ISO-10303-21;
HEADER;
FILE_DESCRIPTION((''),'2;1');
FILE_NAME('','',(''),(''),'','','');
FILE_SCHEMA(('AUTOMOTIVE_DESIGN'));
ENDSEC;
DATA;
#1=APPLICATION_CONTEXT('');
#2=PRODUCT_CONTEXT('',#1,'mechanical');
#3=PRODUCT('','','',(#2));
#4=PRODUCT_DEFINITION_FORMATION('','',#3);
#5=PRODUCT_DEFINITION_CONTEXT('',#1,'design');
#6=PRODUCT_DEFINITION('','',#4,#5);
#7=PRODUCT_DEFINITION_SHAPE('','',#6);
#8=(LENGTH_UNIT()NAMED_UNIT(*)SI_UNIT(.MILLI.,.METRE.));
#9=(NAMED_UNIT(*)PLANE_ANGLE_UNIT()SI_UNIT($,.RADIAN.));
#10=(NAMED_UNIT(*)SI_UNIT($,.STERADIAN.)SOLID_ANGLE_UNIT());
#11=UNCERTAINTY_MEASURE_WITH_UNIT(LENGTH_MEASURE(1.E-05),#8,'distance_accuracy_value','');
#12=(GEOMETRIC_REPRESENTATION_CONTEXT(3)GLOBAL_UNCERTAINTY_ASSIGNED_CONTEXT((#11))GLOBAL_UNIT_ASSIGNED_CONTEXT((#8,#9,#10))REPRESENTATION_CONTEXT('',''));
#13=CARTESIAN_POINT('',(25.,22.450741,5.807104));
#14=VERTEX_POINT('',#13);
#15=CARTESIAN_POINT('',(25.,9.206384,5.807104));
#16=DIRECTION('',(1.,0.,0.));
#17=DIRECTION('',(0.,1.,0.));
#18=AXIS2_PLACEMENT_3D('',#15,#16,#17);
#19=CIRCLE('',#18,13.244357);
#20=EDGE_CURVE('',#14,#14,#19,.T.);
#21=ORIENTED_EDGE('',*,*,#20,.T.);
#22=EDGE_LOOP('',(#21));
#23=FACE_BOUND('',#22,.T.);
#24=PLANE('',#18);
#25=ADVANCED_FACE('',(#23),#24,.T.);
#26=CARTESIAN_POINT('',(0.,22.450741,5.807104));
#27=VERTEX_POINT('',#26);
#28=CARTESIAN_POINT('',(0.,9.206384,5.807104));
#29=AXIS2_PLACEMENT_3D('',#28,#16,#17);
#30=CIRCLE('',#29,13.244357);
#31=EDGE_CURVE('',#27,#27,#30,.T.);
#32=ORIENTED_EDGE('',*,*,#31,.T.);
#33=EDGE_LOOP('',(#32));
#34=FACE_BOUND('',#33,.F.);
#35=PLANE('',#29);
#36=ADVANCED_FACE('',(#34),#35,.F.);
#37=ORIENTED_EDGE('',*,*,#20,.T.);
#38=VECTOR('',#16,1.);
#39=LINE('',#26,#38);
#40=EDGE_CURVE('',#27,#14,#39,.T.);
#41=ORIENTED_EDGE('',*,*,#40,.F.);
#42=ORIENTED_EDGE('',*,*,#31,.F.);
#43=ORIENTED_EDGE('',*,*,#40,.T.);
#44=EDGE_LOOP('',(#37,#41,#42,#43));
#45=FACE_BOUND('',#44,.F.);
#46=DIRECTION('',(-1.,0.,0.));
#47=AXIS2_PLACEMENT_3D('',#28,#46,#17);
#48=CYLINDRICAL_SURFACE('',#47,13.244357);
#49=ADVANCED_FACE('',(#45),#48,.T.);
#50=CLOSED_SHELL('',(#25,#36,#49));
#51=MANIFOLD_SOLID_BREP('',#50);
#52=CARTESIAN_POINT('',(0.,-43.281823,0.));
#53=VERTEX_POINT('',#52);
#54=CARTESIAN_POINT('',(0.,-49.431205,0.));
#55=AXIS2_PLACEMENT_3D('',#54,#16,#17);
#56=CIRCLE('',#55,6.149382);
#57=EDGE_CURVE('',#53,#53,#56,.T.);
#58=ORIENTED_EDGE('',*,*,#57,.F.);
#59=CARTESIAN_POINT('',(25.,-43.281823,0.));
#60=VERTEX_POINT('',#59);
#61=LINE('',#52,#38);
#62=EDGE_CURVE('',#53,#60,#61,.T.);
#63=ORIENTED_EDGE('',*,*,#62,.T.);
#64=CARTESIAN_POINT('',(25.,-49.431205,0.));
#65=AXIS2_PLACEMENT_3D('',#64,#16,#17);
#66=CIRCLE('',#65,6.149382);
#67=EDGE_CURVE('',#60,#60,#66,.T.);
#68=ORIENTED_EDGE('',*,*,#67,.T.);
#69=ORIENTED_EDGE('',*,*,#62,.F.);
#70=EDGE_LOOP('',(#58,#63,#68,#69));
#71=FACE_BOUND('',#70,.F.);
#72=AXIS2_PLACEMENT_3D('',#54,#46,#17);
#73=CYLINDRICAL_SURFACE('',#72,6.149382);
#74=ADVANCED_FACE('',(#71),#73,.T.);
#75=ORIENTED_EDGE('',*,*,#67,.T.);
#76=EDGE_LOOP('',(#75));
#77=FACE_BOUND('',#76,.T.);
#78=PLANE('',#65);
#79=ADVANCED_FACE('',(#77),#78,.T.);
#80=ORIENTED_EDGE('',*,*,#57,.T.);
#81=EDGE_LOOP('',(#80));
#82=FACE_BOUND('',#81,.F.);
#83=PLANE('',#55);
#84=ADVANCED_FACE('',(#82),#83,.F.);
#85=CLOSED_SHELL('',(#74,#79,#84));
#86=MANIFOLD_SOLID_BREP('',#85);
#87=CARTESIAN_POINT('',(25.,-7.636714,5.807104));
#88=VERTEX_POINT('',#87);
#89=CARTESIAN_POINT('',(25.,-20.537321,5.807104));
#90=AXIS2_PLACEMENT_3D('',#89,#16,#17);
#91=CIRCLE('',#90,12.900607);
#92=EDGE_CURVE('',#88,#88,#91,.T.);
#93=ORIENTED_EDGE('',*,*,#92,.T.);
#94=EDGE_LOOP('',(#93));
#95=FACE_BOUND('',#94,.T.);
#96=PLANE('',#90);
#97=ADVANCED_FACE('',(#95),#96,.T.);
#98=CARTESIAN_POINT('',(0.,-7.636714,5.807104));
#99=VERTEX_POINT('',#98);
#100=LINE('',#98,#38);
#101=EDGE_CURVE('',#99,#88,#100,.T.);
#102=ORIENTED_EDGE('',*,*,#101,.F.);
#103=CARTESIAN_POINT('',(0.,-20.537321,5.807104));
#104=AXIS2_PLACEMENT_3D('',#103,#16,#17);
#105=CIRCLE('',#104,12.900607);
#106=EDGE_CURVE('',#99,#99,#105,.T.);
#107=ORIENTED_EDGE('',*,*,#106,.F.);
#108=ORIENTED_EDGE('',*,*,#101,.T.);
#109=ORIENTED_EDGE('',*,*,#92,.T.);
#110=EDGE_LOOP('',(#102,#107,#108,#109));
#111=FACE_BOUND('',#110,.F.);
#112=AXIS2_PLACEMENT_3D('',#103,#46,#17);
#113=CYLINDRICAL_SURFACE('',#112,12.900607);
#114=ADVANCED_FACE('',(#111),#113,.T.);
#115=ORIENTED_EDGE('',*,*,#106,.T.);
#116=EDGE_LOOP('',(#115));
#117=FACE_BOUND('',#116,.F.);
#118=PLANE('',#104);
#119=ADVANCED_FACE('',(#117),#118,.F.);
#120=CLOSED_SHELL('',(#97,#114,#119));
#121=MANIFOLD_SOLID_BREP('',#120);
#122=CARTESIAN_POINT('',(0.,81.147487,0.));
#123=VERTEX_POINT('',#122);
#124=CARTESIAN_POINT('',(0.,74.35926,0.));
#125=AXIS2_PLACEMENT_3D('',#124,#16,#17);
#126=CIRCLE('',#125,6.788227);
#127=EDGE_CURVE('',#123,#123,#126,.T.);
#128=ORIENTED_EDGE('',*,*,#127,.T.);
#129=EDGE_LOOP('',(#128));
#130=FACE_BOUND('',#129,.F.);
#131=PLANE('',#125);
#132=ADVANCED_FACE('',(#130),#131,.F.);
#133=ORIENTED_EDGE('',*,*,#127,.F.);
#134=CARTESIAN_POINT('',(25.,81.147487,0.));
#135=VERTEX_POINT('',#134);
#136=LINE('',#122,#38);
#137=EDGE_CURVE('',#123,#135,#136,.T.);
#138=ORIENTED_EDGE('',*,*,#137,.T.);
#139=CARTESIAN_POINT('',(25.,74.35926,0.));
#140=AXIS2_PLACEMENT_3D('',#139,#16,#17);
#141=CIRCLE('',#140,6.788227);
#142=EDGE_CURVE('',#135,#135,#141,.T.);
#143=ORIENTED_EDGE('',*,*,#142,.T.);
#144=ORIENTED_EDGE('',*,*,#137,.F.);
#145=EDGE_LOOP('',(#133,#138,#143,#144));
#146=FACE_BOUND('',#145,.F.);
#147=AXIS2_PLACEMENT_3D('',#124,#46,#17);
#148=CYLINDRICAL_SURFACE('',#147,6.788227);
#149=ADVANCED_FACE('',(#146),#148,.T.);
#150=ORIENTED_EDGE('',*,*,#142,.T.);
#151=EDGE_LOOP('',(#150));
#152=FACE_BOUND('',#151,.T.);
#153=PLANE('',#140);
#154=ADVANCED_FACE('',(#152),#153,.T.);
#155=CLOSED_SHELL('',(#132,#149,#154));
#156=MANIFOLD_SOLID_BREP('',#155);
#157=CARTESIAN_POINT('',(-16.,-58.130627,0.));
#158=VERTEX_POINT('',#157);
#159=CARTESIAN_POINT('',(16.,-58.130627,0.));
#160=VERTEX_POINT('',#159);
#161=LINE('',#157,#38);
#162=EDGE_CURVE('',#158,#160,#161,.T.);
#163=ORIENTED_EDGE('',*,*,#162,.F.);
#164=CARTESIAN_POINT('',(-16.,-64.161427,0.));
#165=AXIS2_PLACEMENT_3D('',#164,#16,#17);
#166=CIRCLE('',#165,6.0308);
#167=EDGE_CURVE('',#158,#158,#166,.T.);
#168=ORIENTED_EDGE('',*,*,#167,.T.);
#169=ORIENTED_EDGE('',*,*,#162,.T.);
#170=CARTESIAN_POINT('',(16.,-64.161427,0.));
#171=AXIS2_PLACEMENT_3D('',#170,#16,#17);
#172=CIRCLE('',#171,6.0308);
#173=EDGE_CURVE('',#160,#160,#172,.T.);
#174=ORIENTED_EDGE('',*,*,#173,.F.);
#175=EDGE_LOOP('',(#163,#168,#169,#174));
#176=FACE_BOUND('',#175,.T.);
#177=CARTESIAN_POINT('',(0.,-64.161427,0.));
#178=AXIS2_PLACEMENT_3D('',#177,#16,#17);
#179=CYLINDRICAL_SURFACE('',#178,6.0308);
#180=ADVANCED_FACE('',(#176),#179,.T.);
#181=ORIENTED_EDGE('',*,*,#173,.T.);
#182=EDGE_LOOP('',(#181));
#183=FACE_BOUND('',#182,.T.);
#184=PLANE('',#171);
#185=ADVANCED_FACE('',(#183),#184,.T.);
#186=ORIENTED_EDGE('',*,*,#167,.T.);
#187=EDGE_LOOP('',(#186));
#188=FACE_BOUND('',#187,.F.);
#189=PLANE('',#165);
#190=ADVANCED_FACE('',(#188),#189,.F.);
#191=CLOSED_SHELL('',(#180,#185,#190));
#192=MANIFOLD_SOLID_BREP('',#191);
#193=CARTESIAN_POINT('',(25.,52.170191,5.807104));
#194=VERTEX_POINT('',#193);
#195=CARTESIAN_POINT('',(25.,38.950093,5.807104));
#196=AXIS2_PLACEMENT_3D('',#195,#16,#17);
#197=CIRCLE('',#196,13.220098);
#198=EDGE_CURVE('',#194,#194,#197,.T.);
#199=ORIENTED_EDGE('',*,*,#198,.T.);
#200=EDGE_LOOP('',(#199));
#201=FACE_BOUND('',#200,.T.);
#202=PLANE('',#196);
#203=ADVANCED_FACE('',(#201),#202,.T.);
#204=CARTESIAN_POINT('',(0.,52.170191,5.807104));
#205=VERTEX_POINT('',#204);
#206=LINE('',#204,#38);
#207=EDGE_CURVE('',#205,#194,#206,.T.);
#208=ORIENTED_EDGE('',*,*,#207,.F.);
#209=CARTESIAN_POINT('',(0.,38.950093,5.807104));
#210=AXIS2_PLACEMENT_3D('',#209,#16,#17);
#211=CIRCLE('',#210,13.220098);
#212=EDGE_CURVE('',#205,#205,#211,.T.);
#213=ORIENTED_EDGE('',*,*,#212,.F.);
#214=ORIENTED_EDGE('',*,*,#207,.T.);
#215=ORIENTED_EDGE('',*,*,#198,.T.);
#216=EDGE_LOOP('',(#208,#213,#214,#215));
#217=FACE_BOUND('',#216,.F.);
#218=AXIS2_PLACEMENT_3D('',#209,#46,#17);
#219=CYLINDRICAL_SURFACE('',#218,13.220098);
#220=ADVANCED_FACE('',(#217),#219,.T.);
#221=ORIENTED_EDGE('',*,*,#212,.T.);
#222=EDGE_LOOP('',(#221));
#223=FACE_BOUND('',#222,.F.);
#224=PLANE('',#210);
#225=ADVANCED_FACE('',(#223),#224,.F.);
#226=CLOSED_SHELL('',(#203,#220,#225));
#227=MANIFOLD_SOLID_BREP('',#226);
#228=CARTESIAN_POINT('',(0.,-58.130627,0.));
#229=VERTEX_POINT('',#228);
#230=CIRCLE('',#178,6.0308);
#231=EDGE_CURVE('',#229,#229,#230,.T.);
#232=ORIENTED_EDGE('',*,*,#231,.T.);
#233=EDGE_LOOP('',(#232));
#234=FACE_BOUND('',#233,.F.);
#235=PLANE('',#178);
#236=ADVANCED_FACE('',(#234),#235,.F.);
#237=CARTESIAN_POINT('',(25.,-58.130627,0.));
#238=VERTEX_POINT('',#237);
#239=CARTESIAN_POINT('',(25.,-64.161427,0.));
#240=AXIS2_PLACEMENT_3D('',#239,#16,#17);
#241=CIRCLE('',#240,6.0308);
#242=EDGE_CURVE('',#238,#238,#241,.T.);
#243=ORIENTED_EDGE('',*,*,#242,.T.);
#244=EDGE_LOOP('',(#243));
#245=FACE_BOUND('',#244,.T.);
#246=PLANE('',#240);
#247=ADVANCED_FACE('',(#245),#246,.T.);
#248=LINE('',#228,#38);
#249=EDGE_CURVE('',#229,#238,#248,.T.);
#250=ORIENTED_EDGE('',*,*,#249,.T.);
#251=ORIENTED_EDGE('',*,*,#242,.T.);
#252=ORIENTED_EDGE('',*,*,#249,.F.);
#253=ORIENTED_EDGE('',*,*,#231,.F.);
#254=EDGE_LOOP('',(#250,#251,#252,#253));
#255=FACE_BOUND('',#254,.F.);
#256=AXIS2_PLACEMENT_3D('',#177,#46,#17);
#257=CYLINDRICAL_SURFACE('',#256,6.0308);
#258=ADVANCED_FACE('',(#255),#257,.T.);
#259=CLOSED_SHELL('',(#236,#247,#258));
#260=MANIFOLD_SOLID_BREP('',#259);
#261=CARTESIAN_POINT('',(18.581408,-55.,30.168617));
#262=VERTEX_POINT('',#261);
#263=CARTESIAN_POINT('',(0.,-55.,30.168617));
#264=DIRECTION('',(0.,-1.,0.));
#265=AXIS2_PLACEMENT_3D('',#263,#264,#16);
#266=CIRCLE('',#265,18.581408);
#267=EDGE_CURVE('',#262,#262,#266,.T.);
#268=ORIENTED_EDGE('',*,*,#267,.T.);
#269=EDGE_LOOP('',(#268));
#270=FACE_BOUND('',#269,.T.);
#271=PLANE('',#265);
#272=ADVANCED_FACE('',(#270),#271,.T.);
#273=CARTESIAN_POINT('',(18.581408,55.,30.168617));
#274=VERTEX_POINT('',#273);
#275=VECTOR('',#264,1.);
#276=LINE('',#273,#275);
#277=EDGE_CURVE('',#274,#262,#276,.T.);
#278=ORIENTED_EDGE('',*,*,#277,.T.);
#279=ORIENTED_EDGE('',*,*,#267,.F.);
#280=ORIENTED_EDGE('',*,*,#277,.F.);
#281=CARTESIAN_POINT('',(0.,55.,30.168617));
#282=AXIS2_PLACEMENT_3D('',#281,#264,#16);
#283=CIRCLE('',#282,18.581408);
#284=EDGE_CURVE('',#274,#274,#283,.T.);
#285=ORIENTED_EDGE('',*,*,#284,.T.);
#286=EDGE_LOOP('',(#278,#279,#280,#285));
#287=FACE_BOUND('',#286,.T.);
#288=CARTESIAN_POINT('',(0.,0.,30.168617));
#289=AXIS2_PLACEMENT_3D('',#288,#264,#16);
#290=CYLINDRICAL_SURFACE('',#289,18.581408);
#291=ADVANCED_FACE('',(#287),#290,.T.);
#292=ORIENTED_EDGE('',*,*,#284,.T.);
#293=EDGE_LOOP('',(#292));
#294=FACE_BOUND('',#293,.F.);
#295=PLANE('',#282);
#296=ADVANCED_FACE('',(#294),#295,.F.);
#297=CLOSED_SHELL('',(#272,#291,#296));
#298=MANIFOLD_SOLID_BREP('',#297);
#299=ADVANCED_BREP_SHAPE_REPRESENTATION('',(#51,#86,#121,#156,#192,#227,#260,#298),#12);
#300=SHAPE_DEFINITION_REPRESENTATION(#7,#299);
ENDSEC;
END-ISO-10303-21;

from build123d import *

# Parameters (mm, degrees)
F1_R          = 18.581408
F2_DEPTH      = 55
F2_DEPTH_BACK = 55
F0_R          = 6.0308
F3_DEPTH      = 16
F3_DEPTH_BACK = 16
F0_R_2        = 6.149382
F0_R_3        = 12.900607
F0_R_4        = 13.244357
F0_R_5        = 13.220098
F0_R_6        = 6.788227
F4_DEPTH      = 25


with BuildPart() as f2:
    # F1 (on Front) → F2 (new body, two sides)
    with BuildSketch(Plane.XZ) as f2_sk:
        with Locations((0, 30.168617)):
            Circle(F1_R)
    extrude(amount=F2_DEPTH)
    extrude(f2_sk.sketch, amount=-F2_DEPTH_BACK)


with BuildPart() as f3:
    # F0 (on Right) → F3 (new body, two sides)
    with BuildSketch(Plane.YZ) as f3_sk:
        with Locations((-64.161427, 0)):
            Circle(F0_R)
    extrude(amount=F3_DEPTH)
    extrude(f3_sk.sketch, amount=-F3_DEPTH_BACK)


with BuildPart() as f4:
    # F0 (on Right) → F4 (new body)
    with BuildSketch(Plane.YZ):
        with Locations((-64.161427, 0)):
            Circle(F0_R)
        with Locations((-49.431205, 0)):
            Circle(F0_R_2)
        with Locations((-20.537321, 5.807104)):
            Circle(F0_R_3)
        with Locations((9.206384, 5.807104)):
            Circle(F0_R_4)
        with Locations((38.950093, 5.807104)):
            Circle(F0_R_5)
        with Locations((74.35926, 0)):
            Circle(F0_R_6)
    extrude(amount=F4_DEPTH)


solid = Compound([f2.part, f3.part, f4.part])
